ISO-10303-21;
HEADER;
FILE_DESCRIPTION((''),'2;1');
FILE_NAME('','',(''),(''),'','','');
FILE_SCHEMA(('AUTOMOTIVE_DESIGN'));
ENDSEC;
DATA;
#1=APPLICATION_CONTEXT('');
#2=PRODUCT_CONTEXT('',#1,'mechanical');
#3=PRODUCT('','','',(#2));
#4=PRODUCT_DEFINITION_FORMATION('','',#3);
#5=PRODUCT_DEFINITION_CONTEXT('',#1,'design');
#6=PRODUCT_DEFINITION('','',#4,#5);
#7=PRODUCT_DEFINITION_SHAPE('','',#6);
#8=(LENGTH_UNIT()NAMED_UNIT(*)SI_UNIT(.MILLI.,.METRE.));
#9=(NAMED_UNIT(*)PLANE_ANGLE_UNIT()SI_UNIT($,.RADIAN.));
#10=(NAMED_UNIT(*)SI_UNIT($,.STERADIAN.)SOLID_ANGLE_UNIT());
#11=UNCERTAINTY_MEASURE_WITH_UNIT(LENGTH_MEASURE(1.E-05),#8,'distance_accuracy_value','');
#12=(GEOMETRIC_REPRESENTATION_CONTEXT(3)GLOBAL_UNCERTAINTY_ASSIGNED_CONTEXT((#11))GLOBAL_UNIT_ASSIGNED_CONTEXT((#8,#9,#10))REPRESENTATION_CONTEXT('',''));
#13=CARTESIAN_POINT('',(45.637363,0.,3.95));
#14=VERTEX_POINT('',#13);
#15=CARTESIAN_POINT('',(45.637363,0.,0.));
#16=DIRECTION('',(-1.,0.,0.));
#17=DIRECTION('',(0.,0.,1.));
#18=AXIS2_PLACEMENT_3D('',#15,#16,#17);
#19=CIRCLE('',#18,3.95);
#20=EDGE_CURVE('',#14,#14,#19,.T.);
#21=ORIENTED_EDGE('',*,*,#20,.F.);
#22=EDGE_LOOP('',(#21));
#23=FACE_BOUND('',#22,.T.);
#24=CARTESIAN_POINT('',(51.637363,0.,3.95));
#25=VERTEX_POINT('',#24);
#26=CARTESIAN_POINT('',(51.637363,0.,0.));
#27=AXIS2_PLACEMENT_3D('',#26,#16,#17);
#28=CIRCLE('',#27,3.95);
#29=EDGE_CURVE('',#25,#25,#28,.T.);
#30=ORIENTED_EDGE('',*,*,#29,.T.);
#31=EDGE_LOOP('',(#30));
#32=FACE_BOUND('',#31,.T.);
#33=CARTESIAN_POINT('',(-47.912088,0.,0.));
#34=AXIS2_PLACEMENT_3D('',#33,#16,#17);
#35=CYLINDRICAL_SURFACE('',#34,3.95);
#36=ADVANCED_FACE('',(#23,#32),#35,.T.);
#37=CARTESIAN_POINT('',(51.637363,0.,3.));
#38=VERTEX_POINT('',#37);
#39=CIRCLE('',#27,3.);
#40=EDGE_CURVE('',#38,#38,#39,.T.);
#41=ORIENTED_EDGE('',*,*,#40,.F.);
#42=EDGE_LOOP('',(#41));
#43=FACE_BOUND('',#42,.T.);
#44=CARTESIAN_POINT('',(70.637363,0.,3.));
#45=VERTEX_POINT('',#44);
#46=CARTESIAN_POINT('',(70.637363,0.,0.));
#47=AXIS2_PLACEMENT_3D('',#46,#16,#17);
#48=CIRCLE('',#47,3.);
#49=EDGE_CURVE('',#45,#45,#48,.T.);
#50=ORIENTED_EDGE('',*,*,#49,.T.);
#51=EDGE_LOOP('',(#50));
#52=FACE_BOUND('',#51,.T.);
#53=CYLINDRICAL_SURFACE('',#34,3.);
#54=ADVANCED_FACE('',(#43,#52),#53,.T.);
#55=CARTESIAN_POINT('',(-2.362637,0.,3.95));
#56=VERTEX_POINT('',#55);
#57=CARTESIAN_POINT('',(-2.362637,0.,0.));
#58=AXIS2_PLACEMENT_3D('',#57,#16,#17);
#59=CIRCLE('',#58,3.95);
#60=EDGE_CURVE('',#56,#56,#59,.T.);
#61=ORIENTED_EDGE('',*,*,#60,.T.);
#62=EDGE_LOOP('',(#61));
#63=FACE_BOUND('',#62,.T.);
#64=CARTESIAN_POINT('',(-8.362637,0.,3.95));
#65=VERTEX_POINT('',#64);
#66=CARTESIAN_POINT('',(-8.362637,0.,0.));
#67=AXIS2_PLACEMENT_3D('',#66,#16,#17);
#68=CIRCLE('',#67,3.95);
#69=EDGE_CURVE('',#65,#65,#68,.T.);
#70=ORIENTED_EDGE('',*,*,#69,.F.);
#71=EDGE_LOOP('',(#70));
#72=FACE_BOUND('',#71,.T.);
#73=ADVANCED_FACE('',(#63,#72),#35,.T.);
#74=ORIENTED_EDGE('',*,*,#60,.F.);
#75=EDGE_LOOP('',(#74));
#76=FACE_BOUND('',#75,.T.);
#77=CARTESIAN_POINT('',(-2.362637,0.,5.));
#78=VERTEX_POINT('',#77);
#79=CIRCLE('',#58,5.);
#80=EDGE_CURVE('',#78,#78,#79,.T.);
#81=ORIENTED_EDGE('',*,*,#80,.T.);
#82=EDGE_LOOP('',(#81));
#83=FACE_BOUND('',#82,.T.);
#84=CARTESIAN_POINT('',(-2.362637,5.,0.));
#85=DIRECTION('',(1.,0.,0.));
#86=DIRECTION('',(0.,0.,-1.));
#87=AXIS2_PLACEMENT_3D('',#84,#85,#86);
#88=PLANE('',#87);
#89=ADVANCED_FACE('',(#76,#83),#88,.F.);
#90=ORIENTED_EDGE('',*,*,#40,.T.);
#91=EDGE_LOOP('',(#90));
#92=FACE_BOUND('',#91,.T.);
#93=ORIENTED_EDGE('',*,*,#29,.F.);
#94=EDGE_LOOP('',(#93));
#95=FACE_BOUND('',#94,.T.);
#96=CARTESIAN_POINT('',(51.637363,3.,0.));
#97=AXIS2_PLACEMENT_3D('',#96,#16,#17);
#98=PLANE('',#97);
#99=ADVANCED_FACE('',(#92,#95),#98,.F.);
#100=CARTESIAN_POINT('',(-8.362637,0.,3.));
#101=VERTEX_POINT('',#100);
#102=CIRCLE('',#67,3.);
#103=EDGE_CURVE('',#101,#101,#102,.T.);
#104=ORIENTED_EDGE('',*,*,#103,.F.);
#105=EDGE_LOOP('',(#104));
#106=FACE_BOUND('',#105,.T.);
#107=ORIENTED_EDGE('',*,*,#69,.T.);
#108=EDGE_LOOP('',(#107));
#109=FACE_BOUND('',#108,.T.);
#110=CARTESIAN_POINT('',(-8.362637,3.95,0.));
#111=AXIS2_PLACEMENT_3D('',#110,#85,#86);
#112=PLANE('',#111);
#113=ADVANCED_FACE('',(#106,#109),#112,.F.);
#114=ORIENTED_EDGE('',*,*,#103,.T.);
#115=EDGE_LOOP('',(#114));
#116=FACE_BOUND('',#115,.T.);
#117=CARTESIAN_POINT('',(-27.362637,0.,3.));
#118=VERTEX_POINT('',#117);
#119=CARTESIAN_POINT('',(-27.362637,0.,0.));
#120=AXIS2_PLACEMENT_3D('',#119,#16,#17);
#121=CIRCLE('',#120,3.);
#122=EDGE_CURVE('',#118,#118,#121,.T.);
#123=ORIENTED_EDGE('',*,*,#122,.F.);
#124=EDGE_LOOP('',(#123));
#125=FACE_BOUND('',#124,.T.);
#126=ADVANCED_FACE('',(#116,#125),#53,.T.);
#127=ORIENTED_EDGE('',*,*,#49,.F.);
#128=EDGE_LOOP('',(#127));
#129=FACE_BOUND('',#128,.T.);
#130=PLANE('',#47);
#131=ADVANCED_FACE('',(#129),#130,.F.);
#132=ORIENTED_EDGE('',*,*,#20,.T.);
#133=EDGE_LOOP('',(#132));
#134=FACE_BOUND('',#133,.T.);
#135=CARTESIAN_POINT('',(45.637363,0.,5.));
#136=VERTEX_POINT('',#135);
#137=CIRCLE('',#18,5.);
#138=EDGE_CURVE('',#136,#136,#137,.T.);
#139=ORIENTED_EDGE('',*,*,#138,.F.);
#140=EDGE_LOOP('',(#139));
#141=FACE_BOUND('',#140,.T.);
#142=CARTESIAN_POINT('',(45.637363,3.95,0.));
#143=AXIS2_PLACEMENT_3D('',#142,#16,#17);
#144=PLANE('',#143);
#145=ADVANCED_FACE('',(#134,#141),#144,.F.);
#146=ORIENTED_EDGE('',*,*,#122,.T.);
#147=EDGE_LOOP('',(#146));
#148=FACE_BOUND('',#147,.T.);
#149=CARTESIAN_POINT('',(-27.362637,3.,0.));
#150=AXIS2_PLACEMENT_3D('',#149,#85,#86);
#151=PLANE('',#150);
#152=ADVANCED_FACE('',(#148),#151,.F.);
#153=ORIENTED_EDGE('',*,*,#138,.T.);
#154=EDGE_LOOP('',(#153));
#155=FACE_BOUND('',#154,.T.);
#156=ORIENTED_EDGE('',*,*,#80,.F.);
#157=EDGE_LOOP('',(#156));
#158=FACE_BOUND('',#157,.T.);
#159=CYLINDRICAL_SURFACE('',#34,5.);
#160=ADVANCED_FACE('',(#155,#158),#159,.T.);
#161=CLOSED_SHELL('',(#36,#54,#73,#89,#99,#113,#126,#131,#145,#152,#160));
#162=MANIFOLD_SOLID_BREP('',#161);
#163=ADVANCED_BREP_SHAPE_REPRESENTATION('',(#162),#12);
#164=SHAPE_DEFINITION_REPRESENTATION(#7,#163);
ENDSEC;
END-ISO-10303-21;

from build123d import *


with BuildPart() as part:
    # 草图1 → 旋转1 (revolve)
    with BuildSketch(Plane.XY):
        Polygon((-27.362637363, 0), (70.637362637, 0), (70.637362637, 3), (51.637362637, 3), (51.637362637, 3.95), (45.637362637, 3.95), (45.637362637, 5), (-2.362637363, 5), (-2.362637363, 3.95), (-8.362637363, 3.95), (-8.362637363, 3), (-27.362637363, 3), align=None)
    revolve(axis=Axis((-47.912087912, 0, 0), (1, 0, 0)))


solid = part.part
